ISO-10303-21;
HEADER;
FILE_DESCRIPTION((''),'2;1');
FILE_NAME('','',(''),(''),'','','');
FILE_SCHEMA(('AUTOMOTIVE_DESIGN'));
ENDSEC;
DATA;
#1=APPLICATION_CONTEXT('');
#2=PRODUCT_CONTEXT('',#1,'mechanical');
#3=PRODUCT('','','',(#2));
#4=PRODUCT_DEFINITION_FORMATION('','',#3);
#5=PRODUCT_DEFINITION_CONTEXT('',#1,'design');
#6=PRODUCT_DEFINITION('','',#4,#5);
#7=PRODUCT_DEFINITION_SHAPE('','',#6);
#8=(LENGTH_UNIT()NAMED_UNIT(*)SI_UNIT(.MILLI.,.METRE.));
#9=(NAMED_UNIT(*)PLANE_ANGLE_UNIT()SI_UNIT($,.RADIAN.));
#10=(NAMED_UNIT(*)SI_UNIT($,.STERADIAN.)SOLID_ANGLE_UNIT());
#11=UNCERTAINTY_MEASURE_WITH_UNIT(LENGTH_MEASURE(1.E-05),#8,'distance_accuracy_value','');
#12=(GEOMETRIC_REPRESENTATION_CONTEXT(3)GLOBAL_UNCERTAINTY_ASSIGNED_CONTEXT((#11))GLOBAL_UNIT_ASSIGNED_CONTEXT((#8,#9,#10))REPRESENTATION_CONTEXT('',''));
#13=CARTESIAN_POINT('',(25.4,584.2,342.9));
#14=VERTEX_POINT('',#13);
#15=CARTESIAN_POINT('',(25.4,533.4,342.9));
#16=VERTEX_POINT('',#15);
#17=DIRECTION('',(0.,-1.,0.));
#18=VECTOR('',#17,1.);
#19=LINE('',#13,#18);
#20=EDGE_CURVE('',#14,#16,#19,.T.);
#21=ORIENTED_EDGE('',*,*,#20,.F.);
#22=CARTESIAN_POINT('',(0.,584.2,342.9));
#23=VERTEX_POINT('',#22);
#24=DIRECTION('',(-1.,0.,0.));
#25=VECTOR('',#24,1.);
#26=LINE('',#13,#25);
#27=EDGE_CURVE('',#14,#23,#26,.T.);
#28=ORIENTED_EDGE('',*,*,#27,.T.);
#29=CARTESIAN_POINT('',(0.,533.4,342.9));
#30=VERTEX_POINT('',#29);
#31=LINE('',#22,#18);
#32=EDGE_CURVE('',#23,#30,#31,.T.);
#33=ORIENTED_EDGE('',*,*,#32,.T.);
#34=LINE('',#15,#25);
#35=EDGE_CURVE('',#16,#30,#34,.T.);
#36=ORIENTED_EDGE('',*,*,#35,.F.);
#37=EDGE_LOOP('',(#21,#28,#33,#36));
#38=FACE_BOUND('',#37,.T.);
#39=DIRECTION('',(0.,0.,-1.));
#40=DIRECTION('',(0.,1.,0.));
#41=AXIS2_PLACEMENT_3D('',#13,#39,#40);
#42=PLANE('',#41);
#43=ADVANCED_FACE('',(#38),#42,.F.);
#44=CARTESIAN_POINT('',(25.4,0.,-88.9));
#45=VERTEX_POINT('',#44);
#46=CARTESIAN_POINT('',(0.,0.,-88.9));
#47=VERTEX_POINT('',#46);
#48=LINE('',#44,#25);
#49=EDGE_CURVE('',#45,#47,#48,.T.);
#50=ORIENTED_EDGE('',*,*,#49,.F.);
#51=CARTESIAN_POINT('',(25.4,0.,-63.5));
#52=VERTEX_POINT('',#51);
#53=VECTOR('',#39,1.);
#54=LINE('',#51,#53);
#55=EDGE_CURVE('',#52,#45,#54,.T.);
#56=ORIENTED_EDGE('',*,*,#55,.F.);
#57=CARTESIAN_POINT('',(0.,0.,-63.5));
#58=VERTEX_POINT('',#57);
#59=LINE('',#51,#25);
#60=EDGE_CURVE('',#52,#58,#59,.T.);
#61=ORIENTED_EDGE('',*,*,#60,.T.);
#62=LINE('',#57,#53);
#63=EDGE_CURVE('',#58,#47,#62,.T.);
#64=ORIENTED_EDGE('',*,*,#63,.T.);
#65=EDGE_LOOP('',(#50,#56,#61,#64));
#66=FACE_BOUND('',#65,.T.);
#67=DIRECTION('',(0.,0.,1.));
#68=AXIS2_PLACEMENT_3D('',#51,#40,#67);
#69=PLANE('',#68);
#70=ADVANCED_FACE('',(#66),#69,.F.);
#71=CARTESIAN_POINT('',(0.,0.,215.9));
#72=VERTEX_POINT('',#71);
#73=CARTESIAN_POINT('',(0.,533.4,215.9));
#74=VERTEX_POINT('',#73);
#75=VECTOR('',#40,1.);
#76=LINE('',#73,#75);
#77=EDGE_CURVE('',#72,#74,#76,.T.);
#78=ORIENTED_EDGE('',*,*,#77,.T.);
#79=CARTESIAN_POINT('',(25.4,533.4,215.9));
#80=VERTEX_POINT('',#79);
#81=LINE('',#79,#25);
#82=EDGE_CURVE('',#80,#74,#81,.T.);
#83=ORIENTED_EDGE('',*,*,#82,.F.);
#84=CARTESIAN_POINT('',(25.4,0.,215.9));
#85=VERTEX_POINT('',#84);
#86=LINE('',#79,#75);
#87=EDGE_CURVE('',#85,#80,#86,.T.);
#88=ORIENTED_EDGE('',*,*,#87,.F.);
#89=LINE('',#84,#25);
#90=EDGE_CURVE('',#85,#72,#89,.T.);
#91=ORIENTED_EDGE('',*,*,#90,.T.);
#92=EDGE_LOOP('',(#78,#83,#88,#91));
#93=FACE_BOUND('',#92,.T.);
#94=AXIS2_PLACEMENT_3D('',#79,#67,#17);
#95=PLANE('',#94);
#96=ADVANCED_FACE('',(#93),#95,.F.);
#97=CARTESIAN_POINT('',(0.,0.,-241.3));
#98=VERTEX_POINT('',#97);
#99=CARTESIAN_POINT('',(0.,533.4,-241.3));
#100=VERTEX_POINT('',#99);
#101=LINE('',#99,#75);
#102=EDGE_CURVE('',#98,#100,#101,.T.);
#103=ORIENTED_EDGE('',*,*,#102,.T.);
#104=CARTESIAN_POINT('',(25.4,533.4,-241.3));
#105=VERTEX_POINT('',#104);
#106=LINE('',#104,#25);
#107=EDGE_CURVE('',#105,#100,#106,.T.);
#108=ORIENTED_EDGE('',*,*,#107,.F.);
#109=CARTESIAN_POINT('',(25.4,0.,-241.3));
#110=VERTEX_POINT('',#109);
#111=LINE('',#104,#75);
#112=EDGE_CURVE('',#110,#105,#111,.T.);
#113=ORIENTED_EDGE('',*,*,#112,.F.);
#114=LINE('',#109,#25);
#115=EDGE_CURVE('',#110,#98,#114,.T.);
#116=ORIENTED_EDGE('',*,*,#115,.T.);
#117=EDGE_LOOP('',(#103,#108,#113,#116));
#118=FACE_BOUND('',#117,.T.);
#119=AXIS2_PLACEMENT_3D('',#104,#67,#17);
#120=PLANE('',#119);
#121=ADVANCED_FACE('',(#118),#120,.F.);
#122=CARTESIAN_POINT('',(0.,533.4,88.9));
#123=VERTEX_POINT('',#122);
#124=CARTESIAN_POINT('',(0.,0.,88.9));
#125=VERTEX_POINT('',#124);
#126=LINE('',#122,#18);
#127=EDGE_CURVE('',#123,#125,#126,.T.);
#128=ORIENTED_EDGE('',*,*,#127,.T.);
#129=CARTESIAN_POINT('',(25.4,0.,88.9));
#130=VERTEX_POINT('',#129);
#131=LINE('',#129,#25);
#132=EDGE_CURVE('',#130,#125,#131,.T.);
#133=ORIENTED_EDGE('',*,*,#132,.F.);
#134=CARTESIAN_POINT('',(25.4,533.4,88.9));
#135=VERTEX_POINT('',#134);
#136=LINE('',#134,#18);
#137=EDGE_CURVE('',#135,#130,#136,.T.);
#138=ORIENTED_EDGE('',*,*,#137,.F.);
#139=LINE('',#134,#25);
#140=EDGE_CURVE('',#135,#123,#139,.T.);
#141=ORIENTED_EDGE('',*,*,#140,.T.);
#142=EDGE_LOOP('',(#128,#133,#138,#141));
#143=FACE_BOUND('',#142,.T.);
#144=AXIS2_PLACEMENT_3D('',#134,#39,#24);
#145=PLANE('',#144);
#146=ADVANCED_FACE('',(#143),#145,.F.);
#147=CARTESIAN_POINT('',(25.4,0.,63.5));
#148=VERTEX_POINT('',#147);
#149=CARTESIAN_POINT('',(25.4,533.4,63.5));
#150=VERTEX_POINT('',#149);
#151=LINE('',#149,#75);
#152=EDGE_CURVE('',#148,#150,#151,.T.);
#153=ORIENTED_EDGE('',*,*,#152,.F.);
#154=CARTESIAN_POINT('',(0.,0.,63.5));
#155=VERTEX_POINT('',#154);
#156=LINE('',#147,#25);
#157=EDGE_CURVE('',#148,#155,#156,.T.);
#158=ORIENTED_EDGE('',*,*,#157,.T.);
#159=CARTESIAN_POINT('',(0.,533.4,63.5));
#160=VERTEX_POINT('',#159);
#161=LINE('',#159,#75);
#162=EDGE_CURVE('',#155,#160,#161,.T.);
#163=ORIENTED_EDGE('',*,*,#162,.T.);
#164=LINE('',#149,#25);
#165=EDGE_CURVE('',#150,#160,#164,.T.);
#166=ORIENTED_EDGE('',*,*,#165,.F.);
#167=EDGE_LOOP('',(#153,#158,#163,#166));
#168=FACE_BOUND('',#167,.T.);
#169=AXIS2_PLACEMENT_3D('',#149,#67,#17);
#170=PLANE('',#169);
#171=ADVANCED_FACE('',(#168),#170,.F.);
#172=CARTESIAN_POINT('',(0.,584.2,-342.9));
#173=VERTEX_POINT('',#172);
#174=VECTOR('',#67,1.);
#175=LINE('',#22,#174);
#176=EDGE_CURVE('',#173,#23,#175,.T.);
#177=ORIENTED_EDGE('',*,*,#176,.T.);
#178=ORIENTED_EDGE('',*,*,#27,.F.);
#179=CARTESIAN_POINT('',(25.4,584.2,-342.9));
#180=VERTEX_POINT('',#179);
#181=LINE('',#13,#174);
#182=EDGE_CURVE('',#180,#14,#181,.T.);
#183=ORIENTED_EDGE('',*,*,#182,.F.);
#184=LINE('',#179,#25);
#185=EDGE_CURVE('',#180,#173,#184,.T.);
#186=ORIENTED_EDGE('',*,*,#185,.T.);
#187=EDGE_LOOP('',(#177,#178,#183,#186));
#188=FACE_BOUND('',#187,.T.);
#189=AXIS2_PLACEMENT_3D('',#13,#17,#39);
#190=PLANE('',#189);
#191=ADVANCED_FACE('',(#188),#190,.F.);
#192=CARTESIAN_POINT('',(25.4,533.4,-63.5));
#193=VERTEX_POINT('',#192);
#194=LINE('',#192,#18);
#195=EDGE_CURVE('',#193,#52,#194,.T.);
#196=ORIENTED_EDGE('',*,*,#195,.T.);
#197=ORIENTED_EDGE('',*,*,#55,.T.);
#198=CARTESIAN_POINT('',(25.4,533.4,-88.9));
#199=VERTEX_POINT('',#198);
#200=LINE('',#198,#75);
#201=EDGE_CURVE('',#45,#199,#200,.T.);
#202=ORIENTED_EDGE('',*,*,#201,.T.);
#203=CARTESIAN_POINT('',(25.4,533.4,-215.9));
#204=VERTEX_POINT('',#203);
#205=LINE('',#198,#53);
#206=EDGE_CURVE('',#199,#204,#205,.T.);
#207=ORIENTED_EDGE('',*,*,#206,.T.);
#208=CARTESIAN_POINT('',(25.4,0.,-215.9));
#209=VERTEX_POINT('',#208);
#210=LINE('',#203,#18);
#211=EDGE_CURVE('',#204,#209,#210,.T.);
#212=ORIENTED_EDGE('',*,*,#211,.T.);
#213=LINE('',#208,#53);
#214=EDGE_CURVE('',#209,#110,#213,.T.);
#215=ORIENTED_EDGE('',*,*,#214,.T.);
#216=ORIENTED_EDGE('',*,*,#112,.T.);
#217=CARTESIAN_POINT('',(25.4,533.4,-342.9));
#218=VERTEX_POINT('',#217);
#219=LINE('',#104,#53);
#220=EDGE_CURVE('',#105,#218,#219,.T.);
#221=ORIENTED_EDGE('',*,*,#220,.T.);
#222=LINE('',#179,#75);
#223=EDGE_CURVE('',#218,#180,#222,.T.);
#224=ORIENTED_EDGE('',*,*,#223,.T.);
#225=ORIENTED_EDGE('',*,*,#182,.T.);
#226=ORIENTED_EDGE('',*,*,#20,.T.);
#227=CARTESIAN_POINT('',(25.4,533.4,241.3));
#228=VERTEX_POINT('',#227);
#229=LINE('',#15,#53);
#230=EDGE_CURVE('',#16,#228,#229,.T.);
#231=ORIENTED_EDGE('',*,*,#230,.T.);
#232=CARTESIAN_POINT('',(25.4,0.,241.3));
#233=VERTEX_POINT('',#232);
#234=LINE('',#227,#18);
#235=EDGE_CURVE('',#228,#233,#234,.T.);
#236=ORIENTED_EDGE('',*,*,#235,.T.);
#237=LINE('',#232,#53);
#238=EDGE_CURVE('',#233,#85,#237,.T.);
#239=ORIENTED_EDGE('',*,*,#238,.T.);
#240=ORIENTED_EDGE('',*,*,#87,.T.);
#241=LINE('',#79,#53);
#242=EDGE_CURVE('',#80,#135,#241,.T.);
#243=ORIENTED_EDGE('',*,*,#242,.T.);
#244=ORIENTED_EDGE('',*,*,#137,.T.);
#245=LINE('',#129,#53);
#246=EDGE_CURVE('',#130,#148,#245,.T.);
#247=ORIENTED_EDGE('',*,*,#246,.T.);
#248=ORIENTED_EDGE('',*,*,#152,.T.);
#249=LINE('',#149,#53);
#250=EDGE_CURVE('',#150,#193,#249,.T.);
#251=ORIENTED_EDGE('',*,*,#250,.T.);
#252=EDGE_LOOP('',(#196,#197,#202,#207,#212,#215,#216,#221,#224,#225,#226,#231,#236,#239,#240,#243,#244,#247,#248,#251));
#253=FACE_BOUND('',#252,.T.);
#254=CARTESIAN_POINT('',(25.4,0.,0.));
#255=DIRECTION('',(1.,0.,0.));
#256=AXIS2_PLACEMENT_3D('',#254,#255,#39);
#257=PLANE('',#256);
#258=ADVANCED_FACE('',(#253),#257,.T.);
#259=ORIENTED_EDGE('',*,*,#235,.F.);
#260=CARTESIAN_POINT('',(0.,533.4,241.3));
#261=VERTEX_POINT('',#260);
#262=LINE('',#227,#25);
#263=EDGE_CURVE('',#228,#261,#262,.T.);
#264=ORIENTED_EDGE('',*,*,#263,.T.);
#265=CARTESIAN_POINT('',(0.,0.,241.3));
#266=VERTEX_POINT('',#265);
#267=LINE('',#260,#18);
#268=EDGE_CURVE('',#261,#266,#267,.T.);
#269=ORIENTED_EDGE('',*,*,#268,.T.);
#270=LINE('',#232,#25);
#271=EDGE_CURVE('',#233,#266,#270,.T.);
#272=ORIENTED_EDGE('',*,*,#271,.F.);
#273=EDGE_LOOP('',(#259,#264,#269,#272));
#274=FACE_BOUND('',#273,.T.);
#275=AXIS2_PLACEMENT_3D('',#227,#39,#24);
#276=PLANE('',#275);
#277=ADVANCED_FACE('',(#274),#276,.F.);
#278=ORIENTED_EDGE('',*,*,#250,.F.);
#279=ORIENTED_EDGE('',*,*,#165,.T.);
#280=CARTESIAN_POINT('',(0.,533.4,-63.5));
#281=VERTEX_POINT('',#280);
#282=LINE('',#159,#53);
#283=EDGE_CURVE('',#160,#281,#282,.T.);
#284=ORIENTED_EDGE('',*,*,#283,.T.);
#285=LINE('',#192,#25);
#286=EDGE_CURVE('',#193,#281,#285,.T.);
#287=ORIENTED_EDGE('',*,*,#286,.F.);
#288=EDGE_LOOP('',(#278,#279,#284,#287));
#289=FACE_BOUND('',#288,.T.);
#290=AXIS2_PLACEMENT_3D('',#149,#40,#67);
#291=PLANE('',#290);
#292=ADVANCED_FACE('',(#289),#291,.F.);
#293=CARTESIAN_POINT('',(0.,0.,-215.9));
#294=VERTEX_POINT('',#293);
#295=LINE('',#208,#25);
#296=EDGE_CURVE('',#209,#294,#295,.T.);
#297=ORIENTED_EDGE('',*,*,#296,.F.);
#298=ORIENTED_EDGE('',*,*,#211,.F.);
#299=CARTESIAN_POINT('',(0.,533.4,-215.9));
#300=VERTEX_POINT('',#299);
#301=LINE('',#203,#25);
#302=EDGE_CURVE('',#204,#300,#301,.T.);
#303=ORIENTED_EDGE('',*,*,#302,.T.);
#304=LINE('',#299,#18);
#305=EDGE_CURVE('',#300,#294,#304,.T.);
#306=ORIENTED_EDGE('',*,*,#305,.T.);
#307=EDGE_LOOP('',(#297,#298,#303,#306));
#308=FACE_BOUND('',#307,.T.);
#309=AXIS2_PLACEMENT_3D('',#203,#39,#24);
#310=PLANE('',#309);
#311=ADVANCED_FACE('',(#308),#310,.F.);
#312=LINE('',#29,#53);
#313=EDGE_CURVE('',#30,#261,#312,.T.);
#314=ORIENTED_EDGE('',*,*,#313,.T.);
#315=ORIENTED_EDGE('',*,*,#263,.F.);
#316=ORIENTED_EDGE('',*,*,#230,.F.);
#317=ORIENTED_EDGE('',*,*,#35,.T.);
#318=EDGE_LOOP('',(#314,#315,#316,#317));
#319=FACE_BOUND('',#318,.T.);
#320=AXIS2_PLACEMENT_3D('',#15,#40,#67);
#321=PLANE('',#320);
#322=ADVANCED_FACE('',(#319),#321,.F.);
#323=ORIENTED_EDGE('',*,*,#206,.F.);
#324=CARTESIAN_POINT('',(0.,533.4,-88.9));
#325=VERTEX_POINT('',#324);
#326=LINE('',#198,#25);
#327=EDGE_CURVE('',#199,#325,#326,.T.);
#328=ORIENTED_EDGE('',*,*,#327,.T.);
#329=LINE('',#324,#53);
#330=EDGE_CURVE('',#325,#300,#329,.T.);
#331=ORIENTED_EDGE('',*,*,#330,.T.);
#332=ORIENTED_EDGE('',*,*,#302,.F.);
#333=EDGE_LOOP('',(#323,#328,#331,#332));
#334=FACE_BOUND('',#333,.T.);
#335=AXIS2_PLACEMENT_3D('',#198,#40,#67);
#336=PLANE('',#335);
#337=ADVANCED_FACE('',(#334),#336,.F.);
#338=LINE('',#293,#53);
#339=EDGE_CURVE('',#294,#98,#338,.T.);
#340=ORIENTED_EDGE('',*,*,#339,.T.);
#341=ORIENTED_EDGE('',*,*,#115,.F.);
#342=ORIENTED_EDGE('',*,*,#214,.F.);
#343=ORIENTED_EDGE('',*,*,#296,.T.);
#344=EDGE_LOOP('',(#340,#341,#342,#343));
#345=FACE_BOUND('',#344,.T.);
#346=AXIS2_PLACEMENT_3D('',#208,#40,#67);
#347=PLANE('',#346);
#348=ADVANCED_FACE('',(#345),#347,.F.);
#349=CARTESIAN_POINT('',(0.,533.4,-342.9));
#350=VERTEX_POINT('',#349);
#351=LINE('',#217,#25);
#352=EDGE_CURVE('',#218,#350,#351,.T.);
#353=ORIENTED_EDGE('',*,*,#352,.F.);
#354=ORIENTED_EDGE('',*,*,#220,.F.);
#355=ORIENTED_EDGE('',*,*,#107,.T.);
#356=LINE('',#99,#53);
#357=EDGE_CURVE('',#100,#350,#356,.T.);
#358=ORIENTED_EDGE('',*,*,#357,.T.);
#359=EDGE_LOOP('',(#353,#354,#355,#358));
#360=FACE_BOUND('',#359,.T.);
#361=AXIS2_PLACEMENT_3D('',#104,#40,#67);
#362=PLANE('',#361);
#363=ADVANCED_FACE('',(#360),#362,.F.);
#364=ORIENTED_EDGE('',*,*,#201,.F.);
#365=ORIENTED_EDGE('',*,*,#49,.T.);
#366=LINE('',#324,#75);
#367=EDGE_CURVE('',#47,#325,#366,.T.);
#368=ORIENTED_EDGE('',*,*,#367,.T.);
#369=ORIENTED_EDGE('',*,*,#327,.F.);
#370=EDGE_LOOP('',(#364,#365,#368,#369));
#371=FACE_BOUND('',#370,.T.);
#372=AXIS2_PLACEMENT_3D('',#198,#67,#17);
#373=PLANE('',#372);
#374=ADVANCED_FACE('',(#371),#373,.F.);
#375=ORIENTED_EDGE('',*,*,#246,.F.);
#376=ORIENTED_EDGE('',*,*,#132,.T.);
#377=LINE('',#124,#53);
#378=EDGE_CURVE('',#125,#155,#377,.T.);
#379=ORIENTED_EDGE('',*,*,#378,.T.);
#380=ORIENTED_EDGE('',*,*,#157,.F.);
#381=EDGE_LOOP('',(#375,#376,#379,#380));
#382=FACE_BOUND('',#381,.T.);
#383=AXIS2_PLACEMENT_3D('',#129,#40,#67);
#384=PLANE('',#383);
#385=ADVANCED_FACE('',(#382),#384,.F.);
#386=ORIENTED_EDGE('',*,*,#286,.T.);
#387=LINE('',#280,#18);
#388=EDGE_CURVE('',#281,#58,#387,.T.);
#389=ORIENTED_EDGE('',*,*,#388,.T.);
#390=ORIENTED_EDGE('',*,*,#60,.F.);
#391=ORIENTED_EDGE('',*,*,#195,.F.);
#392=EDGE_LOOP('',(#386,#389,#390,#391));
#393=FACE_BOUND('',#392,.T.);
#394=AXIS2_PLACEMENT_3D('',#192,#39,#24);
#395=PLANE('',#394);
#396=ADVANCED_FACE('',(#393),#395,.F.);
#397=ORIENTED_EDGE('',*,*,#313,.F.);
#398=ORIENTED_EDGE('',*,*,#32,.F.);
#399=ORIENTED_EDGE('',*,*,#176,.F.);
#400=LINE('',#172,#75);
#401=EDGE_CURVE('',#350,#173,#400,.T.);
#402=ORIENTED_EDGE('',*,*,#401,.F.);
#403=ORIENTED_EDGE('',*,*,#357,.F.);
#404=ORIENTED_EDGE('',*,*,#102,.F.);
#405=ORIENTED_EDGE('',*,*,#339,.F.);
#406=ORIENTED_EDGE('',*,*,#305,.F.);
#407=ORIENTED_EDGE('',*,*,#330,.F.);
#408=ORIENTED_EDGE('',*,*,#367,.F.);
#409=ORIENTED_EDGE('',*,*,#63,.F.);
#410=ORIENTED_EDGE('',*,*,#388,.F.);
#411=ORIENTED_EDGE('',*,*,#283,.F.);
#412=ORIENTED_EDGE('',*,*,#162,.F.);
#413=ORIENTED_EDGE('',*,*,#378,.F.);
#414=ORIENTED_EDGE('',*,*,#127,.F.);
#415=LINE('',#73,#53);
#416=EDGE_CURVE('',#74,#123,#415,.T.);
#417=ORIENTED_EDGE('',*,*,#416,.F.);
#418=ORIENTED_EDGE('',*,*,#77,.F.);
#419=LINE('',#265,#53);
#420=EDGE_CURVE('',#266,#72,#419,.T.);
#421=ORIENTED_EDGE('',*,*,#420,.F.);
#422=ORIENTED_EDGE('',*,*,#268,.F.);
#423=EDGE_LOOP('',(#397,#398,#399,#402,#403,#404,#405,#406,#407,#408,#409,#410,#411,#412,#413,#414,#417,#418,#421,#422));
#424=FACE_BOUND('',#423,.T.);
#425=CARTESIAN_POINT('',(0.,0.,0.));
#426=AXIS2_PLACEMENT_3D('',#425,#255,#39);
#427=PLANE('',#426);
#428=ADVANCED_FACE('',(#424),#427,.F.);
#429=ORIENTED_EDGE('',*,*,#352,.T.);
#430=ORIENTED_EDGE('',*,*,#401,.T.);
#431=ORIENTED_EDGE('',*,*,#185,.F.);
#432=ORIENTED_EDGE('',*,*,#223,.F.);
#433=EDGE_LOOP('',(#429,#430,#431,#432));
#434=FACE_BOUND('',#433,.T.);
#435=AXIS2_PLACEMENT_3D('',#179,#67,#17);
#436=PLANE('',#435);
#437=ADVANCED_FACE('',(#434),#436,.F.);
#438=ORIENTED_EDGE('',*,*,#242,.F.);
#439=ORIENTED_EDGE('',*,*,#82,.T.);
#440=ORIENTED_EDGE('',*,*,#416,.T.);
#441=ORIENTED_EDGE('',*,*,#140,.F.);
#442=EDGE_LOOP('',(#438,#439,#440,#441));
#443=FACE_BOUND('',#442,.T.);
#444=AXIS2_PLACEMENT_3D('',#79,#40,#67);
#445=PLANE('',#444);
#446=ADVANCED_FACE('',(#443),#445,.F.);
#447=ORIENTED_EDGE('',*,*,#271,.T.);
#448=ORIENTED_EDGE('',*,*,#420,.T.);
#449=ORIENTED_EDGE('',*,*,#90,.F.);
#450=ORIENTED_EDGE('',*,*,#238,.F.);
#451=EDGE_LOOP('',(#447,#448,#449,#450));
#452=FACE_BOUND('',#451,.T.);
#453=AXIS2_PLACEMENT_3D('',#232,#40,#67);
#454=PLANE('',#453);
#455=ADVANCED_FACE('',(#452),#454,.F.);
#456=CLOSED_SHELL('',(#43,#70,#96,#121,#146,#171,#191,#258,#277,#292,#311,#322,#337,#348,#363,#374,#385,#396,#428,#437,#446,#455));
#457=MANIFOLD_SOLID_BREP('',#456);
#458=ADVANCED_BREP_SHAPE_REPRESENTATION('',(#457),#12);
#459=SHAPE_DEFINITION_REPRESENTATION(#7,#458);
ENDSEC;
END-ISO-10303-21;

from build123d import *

# Parameters (mm, degrees)
BOSS_EXTRUDE1_DEPTH = 25.4


with BuildPart() as part:
    # Sketch3 → Boss-Extrude1 (new body)
    with BuildSketch(Plane(origin=(0, 0, 0), x_dir=(0, 0, -1), z_dir=(1, 0, 0))):
        Polygon((-342.9, 584.2), (342.9, 584.2), (342.9, 533.4), (241.3, 533.4), (241.3, 0), (215.9, 0), (215.9, 533.4), (88.9, 533.4), (88.9, 0), (63.5, 0), (63.5, 533.4), (-63.5, 533.4), (-63.5, 0), (-88.9, 0), (-88.9, 533.4), (-215.9, 533.4), (-215.9, 0), (-241.3, 0), (-241.3, 533.4), (-342.9, 533.4), align=None)
    extrude(amount=BOSS_EXTRUDE1_DEPTH)


solid = part.part
